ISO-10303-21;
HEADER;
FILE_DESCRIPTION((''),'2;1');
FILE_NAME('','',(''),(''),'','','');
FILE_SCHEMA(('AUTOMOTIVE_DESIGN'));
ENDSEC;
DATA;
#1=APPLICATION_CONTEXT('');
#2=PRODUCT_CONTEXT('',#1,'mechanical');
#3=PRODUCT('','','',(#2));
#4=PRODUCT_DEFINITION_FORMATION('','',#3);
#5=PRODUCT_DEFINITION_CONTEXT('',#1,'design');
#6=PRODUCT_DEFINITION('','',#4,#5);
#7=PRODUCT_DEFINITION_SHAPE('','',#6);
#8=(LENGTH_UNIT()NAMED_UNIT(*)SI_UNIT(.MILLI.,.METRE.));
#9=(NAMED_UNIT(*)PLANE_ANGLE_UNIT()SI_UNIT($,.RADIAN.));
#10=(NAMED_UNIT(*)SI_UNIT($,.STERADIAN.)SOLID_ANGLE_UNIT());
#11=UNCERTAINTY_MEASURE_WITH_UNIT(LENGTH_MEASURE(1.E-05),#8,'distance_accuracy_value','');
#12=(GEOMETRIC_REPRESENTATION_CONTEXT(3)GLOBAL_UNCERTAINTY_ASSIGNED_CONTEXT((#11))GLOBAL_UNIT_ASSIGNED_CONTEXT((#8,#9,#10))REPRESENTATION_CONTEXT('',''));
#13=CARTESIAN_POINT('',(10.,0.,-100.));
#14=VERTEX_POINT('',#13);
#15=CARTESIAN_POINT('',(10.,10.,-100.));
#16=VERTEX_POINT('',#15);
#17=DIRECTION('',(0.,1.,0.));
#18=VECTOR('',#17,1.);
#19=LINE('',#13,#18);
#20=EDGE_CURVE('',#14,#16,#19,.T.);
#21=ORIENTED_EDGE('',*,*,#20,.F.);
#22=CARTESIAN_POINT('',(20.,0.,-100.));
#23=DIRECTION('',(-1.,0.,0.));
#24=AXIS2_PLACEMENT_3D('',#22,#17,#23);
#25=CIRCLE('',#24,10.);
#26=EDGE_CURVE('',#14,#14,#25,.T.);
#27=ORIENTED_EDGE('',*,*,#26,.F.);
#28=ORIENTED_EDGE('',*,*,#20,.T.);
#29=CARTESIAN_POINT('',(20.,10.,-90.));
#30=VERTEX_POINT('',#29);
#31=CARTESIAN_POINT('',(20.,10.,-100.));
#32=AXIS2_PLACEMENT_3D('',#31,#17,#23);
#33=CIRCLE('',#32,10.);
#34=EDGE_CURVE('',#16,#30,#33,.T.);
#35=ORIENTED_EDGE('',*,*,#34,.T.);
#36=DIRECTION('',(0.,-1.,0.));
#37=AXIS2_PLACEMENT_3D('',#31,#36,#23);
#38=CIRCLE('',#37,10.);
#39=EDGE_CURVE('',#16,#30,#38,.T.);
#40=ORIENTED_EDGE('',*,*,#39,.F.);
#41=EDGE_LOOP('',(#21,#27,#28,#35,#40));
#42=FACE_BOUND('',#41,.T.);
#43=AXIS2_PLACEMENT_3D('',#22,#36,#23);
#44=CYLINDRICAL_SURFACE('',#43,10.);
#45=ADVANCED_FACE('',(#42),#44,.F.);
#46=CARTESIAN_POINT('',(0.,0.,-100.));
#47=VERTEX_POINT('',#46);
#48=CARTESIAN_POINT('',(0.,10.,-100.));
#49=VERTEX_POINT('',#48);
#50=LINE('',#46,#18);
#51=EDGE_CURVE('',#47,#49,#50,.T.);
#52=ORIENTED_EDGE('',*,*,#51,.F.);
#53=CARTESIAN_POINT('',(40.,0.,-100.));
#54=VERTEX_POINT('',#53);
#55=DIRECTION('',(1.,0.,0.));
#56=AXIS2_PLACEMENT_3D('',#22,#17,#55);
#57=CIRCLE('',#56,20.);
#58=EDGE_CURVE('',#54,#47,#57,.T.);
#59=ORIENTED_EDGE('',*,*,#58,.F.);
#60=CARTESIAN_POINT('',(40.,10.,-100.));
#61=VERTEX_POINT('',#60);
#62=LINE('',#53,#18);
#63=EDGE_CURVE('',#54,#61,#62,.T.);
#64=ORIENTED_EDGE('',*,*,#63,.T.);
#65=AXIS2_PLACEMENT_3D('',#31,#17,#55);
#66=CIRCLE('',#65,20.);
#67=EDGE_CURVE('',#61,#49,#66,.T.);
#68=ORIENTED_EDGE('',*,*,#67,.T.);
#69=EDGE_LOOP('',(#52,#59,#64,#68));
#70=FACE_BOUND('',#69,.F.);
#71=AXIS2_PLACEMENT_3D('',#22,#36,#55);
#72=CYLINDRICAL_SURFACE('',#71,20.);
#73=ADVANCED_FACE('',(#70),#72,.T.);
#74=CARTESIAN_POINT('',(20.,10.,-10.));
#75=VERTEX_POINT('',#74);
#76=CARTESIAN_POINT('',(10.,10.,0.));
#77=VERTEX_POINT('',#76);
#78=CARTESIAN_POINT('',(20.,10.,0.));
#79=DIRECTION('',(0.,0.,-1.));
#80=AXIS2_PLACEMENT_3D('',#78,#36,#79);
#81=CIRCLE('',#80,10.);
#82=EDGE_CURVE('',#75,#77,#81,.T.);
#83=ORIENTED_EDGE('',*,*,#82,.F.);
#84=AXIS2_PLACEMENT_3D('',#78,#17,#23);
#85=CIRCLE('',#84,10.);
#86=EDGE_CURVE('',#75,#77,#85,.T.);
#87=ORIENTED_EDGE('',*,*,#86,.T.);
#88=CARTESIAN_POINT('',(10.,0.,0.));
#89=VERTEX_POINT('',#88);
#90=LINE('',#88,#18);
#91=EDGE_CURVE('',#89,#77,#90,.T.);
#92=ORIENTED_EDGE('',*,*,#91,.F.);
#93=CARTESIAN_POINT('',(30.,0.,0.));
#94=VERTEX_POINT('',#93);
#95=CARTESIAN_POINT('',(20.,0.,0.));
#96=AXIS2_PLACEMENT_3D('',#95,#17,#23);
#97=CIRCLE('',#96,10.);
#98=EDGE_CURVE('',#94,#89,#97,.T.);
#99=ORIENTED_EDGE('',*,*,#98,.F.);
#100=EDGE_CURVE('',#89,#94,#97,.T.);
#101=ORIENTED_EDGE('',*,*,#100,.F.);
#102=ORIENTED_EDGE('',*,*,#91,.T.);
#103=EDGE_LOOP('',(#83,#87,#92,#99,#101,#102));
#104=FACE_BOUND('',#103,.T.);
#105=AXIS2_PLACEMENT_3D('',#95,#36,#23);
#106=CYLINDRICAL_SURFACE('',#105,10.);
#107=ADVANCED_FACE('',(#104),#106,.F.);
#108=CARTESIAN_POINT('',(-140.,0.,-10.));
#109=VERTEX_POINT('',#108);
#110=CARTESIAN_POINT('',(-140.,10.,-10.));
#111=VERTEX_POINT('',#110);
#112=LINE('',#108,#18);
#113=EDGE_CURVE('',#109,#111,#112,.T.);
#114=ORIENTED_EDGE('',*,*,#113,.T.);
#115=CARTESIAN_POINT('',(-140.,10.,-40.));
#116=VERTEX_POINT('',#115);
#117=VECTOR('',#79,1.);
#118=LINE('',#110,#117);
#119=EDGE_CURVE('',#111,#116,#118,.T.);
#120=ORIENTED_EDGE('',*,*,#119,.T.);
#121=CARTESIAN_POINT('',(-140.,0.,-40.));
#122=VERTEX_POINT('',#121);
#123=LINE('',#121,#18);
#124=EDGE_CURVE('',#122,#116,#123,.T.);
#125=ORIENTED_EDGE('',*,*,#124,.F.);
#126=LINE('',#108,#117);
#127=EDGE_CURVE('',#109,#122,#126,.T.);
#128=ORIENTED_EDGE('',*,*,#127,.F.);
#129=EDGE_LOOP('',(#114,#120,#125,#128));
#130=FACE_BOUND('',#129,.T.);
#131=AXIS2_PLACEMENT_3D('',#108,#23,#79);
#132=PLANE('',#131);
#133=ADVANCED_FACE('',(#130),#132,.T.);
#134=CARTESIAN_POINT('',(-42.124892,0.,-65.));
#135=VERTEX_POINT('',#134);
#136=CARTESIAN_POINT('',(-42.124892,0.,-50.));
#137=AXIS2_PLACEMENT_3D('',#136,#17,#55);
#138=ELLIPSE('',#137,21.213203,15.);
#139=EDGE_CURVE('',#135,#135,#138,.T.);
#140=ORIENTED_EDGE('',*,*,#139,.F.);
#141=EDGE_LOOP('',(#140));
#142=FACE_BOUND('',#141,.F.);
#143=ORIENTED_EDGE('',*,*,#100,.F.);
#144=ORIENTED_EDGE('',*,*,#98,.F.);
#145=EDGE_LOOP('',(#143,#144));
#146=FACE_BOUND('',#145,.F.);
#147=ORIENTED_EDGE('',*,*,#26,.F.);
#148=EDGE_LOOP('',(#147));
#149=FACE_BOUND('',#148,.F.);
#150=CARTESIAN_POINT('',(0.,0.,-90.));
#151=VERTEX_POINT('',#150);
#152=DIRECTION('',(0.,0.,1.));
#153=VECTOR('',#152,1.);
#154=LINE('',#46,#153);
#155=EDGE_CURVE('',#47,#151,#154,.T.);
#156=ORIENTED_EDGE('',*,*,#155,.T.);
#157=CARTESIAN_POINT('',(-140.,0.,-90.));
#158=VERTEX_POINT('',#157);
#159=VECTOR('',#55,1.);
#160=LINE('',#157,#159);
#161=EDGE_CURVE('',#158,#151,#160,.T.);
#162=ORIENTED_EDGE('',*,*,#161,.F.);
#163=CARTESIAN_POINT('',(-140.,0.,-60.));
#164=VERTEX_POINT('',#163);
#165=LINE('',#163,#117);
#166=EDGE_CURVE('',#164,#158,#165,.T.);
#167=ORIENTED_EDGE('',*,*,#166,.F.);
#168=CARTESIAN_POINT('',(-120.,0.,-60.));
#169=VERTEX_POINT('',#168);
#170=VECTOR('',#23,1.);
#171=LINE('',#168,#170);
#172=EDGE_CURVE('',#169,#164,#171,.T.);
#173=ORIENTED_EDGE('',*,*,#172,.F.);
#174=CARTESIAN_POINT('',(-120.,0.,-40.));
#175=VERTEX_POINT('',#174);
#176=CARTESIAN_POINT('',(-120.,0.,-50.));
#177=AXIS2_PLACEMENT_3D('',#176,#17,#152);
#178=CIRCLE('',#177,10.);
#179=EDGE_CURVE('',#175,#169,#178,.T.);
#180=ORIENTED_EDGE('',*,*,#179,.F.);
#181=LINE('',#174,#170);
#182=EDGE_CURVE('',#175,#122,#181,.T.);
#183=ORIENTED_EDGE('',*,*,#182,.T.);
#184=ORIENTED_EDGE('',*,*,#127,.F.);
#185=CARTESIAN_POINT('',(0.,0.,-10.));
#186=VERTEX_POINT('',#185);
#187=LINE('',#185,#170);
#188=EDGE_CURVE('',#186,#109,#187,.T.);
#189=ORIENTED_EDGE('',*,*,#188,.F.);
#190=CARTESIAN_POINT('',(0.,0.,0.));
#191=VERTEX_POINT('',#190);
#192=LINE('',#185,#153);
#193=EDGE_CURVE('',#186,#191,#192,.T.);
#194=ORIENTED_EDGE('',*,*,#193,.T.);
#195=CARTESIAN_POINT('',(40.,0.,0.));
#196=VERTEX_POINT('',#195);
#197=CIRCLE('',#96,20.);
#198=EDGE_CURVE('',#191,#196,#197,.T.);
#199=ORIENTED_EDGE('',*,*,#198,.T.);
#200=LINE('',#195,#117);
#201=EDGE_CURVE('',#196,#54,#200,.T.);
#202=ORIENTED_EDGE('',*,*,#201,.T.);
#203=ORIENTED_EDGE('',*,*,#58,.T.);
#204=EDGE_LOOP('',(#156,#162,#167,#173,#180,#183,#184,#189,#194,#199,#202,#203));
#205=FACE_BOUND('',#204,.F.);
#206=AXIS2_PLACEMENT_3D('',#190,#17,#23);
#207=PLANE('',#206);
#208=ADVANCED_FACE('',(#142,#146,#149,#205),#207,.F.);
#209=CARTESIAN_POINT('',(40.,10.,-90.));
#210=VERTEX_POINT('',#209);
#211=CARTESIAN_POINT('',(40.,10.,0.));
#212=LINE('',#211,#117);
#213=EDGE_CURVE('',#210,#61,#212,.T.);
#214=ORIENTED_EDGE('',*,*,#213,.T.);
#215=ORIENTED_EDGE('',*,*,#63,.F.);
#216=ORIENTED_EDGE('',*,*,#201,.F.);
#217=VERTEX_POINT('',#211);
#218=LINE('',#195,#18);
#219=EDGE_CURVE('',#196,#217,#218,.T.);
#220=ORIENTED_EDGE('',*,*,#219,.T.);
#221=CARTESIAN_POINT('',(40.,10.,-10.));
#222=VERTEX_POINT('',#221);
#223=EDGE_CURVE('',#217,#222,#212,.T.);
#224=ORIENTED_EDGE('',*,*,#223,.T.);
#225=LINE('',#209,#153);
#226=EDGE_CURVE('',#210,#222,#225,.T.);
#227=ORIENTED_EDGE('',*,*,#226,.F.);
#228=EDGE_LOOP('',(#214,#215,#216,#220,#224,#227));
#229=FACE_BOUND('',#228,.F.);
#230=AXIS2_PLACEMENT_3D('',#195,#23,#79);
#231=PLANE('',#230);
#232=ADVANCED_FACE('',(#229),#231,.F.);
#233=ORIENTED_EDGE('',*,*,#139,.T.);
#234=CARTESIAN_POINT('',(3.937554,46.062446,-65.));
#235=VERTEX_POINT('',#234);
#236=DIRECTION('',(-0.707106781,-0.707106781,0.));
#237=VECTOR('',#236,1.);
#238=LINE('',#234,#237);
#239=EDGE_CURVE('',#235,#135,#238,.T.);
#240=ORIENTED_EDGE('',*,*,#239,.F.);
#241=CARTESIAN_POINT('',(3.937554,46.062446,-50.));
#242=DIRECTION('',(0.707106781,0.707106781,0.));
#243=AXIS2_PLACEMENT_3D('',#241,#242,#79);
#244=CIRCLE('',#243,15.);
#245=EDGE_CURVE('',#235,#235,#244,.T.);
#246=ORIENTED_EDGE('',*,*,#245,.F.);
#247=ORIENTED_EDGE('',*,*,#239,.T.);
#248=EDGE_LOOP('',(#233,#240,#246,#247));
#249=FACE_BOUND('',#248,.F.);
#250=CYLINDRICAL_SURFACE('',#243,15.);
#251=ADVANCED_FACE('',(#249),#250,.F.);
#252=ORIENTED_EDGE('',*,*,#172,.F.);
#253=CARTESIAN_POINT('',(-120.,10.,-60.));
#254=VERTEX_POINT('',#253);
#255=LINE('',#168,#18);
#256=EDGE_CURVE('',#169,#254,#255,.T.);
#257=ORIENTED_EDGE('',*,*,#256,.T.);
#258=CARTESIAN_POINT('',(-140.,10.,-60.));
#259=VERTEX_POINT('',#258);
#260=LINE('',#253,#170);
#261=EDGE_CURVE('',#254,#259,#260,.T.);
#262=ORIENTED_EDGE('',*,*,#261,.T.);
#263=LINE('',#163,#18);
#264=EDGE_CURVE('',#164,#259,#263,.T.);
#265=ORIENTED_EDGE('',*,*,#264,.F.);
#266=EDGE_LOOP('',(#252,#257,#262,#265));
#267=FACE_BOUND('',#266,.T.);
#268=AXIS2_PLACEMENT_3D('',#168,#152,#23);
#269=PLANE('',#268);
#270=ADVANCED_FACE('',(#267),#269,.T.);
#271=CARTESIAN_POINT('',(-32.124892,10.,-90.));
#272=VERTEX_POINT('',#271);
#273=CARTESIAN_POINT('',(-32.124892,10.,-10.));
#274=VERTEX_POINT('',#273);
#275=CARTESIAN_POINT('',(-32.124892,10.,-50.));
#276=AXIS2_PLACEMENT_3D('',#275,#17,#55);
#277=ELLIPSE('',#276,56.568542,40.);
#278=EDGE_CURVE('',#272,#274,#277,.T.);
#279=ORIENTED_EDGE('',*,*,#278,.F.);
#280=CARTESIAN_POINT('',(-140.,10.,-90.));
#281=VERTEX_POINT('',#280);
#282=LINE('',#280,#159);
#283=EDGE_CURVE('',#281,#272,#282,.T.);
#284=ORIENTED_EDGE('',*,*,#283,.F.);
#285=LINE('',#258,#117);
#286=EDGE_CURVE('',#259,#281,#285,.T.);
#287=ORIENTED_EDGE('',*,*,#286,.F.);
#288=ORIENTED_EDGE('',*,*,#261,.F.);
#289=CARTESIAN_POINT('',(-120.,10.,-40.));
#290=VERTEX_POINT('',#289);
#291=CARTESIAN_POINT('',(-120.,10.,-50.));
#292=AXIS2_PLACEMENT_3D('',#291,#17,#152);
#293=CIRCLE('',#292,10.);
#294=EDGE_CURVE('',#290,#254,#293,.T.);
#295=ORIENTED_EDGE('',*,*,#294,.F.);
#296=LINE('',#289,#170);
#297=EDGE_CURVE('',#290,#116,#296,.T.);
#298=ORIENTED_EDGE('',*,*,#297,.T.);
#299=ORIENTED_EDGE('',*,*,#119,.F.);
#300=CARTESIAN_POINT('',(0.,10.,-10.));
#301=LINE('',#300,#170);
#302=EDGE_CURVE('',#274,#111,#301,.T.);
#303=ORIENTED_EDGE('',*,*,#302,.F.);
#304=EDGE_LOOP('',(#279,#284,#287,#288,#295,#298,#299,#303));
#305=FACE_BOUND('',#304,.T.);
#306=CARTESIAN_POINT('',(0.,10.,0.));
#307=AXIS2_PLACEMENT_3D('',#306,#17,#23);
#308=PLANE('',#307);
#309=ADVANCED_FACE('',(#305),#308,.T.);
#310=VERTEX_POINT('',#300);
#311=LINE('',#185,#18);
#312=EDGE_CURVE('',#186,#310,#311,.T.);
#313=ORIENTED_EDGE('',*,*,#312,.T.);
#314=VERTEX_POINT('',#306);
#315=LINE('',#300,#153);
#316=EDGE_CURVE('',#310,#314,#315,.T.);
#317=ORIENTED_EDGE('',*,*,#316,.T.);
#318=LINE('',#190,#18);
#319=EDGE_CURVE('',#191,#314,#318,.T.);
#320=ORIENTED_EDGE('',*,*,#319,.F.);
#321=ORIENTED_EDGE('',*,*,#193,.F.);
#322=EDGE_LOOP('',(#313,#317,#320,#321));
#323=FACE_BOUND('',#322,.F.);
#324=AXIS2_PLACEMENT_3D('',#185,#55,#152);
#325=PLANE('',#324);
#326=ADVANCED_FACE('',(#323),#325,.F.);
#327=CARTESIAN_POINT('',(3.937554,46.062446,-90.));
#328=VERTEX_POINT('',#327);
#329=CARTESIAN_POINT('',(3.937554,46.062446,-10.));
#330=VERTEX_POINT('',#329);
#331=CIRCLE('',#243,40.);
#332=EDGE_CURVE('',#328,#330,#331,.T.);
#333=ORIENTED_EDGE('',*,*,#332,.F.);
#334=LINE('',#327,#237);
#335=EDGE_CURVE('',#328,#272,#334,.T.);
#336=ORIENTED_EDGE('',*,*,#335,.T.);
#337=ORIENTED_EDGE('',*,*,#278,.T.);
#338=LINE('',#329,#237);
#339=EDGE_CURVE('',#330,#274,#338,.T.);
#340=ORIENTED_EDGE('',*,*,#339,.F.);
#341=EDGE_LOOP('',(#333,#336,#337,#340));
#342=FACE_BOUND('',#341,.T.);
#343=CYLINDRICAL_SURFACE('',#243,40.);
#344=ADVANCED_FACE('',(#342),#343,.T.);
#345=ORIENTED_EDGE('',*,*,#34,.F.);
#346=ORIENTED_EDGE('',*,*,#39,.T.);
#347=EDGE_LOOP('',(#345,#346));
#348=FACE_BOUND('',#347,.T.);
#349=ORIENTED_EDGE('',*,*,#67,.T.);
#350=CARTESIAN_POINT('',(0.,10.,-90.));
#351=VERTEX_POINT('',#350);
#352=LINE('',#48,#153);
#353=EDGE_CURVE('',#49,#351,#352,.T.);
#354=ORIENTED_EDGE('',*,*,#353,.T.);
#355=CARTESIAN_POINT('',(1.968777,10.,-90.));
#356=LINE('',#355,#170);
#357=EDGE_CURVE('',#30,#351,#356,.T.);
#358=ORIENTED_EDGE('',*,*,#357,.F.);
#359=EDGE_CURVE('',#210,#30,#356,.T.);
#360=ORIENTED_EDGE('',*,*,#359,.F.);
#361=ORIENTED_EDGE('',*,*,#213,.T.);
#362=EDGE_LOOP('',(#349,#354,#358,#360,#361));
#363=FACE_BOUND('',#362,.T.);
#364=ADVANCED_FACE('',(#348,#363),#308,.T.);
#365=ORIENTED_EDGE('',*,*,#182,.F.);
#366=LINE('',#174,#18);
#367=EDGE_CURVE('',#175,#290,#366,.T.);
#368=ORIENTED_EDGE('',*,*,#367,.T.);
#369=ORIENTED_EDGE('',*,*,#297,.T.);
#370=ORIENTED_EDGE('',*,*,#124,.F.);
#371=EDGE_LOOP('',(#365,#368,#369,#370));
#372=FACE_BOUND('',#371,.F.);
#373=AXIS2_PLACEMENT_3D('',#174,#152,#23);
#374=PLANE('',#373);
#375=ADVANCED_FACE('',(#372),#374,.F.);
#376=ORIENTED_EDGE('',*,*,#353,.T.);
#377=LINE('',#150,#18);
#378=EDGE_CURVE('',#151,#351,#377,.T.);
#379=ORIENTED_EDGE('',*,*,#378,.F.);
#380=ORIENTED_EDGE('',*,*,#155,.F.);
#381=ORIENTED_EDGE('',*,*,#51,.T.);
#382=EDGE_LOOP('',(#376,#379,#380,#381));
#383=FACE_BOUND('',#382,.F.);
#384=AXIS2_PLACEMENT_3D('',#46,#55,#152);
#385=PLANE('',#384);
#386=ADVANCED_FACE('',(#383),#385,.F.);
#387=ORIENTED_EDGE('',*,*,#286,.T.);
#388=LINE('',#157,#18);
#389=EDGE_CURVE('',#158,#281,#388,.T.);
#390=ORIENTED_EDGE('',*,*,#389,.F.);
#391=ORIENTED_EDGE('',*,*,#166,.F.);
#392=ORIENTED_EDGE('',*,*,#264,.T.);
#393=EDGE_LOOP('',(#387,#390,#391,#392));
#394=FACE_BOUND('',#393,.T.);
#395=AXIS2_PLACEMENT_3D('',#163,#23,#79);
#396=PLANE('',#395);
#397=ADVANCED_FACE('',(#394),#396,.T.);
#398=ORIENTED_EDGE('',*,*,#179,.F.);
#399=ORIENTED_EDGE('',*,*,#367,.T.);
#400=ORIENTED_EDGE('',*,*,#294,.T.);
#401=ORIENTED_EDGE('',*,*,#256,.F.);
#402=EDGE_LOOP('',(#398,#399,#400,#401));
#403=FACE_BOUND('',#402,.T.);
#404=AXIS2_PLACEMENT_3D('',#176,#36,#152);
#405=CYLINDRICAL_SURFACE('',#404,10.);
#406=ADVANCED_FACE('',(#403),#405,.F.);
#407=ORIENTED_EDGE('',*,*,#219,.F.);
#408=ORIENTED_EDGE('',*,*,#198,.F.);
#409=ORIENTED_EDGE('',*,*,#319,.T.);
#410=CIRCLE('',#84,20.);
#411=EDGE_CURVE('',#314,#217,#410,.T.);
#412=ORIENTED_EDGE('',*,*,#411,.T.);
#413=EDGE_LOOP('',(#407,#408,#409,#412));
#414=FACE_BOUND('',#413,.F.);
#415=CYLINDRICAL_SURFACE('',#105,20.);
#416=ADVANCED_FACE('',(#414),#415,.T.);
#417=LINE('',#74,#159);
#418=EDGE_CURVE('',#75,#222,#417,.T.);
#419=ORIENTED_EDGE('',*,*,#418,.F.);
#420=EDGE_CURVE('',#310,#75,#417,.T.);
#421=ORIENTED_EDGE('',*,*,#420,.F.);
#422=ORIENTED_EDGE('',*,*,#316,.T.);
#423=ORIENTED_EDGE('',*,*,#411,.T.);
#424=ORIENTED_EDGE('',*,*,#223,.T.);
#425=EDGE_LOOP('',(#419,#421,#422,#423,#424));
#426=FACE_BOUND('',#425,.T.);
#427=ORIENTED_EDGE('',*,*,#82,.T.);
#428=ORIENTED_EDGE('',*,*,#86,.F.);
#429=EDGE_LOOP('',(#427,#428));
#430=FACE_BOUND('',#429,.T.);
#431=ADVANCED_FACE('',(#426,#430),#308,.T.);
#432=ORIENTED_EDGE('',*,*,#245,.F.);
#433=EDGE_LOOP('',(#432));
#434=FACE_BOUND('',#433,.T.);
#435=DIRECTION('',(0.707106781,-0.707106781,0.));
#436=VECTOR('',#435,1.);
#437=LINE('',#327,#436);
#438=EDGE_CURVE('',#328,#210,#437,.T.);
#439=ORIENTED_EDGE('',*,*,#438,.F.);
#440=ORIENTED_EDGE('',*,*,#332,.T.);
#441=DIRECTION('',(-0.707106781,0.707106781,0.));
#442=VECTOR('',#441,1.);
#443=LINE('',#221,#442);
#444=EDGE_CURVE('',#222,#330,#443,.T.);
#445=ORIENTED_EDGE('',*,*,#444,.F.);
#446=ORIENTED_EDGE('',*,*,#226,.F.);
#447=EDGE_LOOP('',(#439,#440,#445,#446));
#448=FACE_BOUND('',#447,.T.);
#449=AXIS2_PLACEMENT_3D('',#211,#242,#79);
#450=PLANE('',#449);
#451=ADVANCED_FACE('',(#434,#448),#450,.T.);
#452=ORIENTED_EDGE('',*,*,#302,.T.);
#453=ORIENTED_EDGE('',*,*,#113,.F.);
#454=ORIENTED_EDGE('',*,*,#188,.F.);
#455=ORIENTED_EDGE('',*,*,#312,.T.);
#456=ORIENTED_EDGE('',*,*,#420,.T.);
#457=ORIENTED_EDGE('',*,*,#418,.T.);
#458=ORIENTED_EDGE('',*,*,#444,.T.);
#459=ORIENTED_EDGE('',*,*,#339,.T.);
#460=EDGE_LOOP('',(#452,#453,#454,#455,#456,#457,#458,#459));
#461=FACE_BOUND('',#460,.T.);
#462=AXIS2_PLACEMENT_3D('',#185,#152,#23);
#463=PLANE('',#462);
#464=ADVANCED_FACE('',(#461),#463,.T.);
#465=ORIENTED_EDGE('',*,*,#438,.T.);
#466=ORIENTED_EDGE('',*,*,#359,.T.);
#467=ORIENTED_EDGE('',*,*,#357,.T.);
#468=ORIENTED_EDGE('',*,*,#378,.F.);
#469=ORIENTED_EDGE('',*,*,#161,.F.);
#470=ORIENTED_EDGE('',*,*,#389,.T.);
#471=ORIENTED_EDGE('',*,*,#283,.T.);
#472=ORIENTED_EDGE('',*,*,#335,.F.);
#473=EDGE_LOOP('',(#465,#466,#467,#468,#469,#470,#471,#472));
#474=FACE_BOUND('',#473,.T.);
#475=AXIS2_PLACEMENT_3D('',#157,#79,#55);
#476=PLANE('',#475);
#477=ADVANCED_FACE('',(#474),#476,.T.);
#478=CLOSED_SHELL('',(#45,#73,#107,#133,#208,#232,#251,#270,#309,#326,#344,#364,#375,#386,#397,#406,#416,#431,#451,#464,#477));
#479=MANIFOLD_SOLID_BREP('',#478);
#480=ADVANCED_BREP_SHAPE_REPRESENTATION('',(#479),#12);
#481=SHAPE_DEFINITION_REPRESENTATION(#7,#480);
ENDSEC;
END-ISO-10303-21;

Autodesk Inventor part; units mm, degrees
ref_plane "YZ Plane" through (0, 0, 0) normal (1, 0, 0) x (0, 1, 0)
ref_plane "XZ Plane" through (0, 0, 0) normal (0, 1, 0) x (-1, 0, 0)
sketch "Sketch1" plane through (0, 0, 0) normal (0, 1, 0) x (-1, 0, 0)
  line L0 (-40, 0) -> (-40, -100)
  line L1 (-30, -100) -> (-10, -100)
  line L2 (0, -10) -> (140, -10)
  line L3 (140, -90) -> (0, -90)
  arc A0 (0, 0) -> (-40, 0) centre (-20, 0) ccw
  arc A1 (-40, -100) -> (0, -100) centre (-20, -100) ccw
  circle A2 centre (-20, 0) radius 10
  circle A3 centre (-20, -100) radius 10
  arc A4 (120, -40) -> (120, -60) centre (120, -50) ccw
  line L4 (120, -40) -> (140, -40)
  line L5 (120, -60) -> (140, -60)
  line L6 (140, -10) -> (140, -40)
  line L7 (140, -60) -> (140, -90)
  line L8 (0, -100) -> (0, -90)
  line L9 (0, -10) -> (0, 0)
  line L10 (-30, 0) -> (-40, 0)
  dimension "d4" = 20
  dimension "d0" = 40
  dimension "d1" = 100
  dimension "d2" = 140
  dimension "d3" = 80
  dimension "d5" = 20
  dimension "d6" = 20
  dimension "d8" = 20
  dimension "d9" = 20
extrude "Extrusion1" add sketch "Sketch1" along normal blind 10
ref_plane "Work Plane1" through (40, 10, 0) normal (0.7071, 0.7071, 0) x (0, 0, -1)
sketch "Sketch2" plane through (0, 10, 0) normal (0, 1, 0) x (1, 0, 0)
  point P0 (0, 0)
sketch "Sketch3" plane through (40, 10, 0) normal (0.7071, 0.7071, 0) x (0, 0, -1)
  line L0 (90, 51) -> (90, 0)
  line L1 (90, 0) -> (10, 0)
  line L2 (10, 0) -> (10, 51)
  arc A0 (90, 51) -> (10, 51) centre (50, 51) ccw
  circle A1 centre (50, 51) radius 15
  point P0 (0, 21.2132)
  point P1 (90, 28.2843)
  dimension "d13" = 51
  dimension "d14" = 30
extrude "Extrusion2" add sketch "Sketch3" against normal up to next
sketch "Sketch4" plane through (40, 10, 0) normal (0.7071, 0.7071, 0) x (0, 0, -1)
  circle A0 centre (50, 51) radius 15 projected
  circle A1 centre (50, 51) radius 15
  point P0 (0, 21.2132)
  dimension "d17" = 30
extrude "Extrusion3" cut sketch "Sketch4" against normal up to surface surface through (-48.5464, 0, -50) normal (0, 1, 0)
properties part number "BT2" material "Nylon 6/6"
